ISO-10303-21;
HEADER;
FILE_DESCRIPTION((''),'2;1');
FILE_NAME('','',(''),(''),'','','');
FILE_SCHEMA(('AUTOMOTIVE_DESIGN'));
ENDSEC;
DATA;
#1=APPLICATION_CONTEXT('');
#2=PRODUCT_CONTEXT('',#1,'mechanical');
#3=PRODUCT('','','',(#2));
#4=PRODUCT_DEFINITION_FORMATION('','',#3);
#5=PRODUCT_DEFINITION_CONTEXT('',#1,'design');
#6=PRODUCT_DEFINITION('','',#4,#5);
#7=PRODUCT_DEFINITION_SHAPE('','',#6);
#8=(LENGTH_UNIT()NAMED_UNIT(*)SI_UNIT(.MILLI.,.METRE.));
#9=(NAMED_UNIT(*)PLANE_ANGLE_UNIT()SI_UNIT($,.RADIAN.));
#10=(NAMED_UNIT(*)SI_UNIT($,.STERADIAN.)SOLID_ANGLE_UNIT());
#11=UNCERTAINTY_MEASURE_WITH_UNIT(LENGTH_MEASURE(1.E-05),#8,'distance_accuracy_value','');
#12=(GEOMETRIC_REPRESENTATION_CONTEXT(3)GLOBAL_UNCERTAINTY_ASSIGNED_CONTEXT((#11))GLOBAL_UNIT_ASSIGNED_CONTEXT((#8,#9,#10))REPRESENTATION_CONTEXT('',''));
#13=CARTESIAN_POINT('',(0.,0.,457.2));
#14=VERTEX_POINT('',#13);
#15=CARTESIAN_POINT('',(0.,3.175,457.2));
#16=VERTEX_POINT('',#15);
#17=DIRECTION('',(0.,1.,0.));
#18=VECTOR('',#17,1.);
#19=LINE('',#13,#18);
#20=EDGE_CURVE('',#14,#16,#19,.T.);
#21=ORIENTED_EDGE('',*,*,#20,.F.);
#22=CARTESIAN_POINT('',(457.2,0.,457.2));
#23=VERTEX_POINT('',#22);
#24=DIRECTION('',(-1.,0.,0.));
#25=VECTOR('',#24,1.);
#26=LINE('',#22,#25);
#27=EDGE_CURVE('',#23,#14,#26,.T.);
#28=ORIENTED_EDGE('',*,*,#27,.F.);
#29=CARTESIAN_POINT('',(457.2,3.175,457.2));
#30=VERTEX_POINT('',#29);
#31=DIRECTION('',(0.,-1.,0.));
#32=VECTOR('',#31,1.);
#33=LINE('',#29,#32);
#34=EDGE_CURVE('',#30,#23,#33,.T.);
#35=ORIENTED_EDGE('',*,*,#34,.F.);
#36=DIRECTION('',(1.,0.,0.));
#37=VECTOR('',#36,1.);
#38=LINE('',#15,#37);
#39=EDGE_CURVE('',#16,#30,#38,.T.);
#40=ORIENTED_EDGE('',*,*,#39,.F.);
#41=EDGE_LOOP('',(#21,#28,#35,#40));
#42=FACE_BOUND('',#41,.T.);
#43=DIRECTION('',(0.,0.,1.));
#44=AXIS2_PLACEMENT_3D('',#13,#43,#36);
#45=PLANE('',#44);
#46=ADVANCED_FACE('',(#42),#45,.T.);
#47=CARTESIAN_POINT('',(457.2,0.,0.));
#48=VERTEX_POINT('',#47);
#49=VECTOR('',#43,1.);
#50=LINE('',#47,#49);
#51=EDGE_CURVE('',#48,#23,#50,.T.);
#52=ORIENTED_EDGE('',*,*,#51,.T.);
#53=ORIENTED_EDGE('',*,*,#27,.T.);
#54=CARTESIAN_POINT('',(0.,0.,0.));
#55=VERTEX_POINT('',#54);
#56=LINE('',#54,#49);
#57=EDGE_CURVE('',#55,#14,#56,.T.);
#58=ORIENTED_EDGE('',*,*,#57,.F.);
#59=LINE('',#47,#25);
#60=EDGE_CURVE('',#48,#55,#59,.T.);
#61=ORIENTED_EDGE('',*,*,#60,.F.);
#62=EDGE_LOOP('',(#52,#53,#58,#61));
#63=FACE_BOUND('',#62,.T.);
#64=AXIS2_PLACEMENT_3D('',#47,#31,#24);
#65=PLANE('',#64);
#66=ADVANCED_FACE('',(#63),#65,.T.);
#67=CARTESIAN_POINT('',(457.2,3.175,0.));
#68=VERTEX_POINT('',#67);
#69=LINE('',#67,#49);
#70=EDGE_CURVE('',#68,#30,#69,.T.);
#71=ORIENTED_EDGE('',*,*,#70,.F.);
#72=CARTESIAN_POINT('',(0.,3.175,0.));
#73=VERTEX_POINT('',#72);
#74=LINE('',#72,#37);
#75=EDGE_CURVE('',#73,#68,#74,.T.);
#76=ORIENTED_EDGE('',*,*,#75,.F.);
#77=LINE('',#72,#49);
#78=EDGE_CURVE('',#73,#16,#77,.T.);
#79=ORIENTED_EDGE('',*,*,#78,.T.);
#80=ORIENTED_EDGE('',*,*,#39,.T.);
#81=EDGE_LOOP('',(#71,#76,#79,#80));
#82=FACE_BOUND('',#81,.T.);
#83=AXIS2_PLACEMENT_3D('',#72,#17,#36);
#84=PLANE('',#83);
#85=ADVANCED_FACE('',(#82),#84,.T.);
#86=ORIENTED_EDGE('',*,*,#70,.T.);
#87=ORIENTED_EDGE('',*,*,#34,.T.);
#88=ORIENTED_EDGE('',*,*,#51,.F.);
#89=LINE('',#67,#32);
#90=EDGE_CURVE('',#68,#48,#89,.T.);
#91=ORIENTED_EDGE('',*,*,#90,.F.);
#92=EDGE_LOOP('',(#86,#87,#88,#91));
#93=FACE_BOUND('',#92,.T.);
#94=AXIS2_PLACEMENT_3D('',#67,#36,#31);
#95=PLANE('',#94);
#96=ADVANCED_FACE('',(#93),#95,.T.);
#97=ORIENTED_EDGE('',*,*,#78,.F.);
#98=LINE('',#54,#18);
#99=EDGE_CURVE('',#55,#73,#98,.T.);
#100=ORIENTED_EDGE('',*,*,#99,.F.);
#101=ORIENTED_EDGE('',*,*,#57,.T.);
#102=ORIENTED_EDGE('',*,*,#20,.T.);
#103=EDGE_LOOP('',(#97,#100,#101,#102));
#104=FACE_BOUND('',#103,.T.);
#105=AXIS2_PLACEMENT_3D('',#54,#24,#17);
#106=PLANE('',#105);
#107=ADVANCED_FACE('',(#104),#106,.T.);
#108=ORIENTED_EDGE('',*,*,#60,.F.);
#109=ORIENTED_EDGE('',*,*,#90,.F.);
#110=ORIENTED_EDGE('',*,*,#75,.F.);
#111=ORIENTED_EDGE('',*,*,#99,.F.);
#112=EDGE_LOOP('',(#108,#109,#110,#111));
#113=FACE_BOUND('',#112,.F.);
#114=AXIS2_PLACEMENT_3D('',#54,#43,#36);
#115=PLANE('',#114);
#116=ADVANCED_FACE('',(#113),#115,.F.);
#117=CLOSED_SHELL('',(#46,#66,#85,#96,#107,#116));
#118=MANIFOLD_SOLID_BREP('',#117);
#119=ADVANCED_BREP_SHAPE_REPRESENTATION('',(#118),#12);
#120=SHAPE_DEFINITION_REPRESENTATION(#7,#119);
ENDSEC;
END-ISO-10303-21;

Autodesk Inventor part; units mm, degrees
ref_plane "YZ Plane" through (0, 0, 0) normal (1, 0, 0) x (0, 1, 0)
ref_plane "XZ Plane" through (0, 0, 0) normal (0, 1, 0) x (-1, 0, 0)
ref_plane "XY Plane" through (0, 0, 0) normal (0, 0, 1) x (1, 0, 0)
sketch "Sketch1" plane through (0, 0, 0) normal (0, 0, 1) x (1, 0, 0)
  line L0 (0, 0) -> (0, 3.175)
  line L1 (0, 3.175) -> (457.2, 3.175)
  line L2 (457.2, 3.175) -> (457.2, 0)
  line L3 (457.2, 0) -> (0, 0)
  dimension "d0" = 3.175
  dimension "d1" = 457.2
extrude "Extrusion1" add sketch "Sketch1" along normal blind 457.2
properties part number "panel"
